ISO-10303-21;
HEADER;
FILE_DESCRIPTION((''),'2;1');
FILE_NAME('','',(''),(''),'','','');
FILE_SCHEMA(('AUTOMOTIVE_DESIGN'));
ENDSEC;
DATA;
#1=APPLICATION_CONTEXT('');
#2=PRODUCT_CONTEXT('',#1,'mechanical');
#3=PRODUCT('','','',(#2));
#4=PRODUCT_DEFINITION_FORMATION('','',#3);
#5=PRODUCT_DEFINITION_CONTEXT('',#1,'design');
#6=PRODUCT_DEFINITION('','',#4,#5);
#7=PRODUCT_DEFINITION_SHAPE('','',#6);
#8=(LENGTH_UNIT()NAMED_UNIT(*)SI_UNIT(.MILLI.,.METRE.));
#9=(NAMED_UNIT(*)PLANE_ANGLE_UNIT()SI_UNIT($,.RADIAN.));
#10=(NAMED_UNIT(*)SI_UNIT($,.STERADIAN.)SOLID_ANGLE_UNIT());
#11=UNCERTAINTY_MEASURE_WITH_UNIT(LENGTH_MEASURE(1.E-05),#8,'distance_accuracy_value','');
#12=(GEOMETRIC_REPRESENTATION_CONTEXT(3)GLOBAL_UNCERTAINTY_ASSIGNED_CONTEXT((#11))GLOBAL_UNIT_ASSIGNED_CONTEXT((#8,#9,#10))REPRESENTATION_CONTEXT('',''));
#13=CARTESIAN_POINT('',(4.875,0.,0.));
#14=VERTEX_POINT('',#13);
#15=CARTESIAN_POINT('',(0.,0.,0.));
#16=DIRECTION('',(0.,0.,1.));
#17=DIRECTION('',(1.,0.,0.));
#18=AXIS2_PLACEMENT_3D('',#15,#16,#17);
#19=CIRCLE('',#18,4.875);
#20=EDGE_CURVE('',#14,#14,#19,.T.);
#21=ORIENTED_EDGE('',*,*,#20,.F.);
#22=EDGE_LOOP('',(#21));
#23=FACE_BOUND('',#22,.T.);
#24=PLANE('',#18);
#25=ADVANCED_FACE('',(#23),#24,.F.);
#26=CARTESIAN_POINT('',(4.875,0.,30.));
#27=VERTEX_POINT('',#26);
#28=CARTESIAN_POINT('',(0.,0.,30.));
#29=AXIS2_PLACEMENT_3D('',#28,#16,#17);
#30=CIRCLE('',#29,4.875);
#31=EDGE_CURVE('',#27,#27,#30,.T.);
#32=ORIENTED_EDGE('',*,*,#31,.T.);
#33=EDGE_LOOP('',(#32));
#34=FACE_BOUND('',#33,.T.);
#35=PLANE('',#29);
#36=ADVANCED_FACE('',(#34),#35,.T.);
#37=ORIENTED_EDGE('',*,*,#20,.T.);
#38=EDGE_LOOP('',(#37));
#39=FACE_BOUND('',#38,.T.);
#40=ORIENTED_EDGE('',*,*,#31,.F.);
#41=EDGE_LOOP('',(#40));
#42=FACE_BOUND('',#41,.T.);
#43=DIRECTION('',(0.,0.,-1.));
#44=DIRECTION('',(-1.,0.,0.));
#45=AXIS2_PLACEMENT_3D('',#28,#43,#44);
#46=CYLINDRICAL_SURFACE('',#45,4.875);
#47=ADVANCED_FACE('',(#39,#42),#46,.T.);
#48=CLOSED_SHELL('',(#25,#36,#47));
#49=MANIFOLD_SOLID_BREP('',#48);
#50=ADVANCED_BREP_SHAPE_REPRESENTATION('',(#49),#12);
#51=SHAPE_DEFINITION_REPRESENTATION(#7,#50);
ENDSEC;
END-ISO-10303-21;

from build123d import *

# Parameters (mm, degrees)
SKETCH_1_R      = 4.875
EXTRUDE_1_DEPTH = 30


with BuildPart() as part:
    # 草图1 → 凸台-拉伸1 (new body)
    with BuildSketch(Plane.XY):
        Circle(SKETCH_1_R)
    extrude(amount=EXTRUDE_1_DEPTH)


solid = part.part
